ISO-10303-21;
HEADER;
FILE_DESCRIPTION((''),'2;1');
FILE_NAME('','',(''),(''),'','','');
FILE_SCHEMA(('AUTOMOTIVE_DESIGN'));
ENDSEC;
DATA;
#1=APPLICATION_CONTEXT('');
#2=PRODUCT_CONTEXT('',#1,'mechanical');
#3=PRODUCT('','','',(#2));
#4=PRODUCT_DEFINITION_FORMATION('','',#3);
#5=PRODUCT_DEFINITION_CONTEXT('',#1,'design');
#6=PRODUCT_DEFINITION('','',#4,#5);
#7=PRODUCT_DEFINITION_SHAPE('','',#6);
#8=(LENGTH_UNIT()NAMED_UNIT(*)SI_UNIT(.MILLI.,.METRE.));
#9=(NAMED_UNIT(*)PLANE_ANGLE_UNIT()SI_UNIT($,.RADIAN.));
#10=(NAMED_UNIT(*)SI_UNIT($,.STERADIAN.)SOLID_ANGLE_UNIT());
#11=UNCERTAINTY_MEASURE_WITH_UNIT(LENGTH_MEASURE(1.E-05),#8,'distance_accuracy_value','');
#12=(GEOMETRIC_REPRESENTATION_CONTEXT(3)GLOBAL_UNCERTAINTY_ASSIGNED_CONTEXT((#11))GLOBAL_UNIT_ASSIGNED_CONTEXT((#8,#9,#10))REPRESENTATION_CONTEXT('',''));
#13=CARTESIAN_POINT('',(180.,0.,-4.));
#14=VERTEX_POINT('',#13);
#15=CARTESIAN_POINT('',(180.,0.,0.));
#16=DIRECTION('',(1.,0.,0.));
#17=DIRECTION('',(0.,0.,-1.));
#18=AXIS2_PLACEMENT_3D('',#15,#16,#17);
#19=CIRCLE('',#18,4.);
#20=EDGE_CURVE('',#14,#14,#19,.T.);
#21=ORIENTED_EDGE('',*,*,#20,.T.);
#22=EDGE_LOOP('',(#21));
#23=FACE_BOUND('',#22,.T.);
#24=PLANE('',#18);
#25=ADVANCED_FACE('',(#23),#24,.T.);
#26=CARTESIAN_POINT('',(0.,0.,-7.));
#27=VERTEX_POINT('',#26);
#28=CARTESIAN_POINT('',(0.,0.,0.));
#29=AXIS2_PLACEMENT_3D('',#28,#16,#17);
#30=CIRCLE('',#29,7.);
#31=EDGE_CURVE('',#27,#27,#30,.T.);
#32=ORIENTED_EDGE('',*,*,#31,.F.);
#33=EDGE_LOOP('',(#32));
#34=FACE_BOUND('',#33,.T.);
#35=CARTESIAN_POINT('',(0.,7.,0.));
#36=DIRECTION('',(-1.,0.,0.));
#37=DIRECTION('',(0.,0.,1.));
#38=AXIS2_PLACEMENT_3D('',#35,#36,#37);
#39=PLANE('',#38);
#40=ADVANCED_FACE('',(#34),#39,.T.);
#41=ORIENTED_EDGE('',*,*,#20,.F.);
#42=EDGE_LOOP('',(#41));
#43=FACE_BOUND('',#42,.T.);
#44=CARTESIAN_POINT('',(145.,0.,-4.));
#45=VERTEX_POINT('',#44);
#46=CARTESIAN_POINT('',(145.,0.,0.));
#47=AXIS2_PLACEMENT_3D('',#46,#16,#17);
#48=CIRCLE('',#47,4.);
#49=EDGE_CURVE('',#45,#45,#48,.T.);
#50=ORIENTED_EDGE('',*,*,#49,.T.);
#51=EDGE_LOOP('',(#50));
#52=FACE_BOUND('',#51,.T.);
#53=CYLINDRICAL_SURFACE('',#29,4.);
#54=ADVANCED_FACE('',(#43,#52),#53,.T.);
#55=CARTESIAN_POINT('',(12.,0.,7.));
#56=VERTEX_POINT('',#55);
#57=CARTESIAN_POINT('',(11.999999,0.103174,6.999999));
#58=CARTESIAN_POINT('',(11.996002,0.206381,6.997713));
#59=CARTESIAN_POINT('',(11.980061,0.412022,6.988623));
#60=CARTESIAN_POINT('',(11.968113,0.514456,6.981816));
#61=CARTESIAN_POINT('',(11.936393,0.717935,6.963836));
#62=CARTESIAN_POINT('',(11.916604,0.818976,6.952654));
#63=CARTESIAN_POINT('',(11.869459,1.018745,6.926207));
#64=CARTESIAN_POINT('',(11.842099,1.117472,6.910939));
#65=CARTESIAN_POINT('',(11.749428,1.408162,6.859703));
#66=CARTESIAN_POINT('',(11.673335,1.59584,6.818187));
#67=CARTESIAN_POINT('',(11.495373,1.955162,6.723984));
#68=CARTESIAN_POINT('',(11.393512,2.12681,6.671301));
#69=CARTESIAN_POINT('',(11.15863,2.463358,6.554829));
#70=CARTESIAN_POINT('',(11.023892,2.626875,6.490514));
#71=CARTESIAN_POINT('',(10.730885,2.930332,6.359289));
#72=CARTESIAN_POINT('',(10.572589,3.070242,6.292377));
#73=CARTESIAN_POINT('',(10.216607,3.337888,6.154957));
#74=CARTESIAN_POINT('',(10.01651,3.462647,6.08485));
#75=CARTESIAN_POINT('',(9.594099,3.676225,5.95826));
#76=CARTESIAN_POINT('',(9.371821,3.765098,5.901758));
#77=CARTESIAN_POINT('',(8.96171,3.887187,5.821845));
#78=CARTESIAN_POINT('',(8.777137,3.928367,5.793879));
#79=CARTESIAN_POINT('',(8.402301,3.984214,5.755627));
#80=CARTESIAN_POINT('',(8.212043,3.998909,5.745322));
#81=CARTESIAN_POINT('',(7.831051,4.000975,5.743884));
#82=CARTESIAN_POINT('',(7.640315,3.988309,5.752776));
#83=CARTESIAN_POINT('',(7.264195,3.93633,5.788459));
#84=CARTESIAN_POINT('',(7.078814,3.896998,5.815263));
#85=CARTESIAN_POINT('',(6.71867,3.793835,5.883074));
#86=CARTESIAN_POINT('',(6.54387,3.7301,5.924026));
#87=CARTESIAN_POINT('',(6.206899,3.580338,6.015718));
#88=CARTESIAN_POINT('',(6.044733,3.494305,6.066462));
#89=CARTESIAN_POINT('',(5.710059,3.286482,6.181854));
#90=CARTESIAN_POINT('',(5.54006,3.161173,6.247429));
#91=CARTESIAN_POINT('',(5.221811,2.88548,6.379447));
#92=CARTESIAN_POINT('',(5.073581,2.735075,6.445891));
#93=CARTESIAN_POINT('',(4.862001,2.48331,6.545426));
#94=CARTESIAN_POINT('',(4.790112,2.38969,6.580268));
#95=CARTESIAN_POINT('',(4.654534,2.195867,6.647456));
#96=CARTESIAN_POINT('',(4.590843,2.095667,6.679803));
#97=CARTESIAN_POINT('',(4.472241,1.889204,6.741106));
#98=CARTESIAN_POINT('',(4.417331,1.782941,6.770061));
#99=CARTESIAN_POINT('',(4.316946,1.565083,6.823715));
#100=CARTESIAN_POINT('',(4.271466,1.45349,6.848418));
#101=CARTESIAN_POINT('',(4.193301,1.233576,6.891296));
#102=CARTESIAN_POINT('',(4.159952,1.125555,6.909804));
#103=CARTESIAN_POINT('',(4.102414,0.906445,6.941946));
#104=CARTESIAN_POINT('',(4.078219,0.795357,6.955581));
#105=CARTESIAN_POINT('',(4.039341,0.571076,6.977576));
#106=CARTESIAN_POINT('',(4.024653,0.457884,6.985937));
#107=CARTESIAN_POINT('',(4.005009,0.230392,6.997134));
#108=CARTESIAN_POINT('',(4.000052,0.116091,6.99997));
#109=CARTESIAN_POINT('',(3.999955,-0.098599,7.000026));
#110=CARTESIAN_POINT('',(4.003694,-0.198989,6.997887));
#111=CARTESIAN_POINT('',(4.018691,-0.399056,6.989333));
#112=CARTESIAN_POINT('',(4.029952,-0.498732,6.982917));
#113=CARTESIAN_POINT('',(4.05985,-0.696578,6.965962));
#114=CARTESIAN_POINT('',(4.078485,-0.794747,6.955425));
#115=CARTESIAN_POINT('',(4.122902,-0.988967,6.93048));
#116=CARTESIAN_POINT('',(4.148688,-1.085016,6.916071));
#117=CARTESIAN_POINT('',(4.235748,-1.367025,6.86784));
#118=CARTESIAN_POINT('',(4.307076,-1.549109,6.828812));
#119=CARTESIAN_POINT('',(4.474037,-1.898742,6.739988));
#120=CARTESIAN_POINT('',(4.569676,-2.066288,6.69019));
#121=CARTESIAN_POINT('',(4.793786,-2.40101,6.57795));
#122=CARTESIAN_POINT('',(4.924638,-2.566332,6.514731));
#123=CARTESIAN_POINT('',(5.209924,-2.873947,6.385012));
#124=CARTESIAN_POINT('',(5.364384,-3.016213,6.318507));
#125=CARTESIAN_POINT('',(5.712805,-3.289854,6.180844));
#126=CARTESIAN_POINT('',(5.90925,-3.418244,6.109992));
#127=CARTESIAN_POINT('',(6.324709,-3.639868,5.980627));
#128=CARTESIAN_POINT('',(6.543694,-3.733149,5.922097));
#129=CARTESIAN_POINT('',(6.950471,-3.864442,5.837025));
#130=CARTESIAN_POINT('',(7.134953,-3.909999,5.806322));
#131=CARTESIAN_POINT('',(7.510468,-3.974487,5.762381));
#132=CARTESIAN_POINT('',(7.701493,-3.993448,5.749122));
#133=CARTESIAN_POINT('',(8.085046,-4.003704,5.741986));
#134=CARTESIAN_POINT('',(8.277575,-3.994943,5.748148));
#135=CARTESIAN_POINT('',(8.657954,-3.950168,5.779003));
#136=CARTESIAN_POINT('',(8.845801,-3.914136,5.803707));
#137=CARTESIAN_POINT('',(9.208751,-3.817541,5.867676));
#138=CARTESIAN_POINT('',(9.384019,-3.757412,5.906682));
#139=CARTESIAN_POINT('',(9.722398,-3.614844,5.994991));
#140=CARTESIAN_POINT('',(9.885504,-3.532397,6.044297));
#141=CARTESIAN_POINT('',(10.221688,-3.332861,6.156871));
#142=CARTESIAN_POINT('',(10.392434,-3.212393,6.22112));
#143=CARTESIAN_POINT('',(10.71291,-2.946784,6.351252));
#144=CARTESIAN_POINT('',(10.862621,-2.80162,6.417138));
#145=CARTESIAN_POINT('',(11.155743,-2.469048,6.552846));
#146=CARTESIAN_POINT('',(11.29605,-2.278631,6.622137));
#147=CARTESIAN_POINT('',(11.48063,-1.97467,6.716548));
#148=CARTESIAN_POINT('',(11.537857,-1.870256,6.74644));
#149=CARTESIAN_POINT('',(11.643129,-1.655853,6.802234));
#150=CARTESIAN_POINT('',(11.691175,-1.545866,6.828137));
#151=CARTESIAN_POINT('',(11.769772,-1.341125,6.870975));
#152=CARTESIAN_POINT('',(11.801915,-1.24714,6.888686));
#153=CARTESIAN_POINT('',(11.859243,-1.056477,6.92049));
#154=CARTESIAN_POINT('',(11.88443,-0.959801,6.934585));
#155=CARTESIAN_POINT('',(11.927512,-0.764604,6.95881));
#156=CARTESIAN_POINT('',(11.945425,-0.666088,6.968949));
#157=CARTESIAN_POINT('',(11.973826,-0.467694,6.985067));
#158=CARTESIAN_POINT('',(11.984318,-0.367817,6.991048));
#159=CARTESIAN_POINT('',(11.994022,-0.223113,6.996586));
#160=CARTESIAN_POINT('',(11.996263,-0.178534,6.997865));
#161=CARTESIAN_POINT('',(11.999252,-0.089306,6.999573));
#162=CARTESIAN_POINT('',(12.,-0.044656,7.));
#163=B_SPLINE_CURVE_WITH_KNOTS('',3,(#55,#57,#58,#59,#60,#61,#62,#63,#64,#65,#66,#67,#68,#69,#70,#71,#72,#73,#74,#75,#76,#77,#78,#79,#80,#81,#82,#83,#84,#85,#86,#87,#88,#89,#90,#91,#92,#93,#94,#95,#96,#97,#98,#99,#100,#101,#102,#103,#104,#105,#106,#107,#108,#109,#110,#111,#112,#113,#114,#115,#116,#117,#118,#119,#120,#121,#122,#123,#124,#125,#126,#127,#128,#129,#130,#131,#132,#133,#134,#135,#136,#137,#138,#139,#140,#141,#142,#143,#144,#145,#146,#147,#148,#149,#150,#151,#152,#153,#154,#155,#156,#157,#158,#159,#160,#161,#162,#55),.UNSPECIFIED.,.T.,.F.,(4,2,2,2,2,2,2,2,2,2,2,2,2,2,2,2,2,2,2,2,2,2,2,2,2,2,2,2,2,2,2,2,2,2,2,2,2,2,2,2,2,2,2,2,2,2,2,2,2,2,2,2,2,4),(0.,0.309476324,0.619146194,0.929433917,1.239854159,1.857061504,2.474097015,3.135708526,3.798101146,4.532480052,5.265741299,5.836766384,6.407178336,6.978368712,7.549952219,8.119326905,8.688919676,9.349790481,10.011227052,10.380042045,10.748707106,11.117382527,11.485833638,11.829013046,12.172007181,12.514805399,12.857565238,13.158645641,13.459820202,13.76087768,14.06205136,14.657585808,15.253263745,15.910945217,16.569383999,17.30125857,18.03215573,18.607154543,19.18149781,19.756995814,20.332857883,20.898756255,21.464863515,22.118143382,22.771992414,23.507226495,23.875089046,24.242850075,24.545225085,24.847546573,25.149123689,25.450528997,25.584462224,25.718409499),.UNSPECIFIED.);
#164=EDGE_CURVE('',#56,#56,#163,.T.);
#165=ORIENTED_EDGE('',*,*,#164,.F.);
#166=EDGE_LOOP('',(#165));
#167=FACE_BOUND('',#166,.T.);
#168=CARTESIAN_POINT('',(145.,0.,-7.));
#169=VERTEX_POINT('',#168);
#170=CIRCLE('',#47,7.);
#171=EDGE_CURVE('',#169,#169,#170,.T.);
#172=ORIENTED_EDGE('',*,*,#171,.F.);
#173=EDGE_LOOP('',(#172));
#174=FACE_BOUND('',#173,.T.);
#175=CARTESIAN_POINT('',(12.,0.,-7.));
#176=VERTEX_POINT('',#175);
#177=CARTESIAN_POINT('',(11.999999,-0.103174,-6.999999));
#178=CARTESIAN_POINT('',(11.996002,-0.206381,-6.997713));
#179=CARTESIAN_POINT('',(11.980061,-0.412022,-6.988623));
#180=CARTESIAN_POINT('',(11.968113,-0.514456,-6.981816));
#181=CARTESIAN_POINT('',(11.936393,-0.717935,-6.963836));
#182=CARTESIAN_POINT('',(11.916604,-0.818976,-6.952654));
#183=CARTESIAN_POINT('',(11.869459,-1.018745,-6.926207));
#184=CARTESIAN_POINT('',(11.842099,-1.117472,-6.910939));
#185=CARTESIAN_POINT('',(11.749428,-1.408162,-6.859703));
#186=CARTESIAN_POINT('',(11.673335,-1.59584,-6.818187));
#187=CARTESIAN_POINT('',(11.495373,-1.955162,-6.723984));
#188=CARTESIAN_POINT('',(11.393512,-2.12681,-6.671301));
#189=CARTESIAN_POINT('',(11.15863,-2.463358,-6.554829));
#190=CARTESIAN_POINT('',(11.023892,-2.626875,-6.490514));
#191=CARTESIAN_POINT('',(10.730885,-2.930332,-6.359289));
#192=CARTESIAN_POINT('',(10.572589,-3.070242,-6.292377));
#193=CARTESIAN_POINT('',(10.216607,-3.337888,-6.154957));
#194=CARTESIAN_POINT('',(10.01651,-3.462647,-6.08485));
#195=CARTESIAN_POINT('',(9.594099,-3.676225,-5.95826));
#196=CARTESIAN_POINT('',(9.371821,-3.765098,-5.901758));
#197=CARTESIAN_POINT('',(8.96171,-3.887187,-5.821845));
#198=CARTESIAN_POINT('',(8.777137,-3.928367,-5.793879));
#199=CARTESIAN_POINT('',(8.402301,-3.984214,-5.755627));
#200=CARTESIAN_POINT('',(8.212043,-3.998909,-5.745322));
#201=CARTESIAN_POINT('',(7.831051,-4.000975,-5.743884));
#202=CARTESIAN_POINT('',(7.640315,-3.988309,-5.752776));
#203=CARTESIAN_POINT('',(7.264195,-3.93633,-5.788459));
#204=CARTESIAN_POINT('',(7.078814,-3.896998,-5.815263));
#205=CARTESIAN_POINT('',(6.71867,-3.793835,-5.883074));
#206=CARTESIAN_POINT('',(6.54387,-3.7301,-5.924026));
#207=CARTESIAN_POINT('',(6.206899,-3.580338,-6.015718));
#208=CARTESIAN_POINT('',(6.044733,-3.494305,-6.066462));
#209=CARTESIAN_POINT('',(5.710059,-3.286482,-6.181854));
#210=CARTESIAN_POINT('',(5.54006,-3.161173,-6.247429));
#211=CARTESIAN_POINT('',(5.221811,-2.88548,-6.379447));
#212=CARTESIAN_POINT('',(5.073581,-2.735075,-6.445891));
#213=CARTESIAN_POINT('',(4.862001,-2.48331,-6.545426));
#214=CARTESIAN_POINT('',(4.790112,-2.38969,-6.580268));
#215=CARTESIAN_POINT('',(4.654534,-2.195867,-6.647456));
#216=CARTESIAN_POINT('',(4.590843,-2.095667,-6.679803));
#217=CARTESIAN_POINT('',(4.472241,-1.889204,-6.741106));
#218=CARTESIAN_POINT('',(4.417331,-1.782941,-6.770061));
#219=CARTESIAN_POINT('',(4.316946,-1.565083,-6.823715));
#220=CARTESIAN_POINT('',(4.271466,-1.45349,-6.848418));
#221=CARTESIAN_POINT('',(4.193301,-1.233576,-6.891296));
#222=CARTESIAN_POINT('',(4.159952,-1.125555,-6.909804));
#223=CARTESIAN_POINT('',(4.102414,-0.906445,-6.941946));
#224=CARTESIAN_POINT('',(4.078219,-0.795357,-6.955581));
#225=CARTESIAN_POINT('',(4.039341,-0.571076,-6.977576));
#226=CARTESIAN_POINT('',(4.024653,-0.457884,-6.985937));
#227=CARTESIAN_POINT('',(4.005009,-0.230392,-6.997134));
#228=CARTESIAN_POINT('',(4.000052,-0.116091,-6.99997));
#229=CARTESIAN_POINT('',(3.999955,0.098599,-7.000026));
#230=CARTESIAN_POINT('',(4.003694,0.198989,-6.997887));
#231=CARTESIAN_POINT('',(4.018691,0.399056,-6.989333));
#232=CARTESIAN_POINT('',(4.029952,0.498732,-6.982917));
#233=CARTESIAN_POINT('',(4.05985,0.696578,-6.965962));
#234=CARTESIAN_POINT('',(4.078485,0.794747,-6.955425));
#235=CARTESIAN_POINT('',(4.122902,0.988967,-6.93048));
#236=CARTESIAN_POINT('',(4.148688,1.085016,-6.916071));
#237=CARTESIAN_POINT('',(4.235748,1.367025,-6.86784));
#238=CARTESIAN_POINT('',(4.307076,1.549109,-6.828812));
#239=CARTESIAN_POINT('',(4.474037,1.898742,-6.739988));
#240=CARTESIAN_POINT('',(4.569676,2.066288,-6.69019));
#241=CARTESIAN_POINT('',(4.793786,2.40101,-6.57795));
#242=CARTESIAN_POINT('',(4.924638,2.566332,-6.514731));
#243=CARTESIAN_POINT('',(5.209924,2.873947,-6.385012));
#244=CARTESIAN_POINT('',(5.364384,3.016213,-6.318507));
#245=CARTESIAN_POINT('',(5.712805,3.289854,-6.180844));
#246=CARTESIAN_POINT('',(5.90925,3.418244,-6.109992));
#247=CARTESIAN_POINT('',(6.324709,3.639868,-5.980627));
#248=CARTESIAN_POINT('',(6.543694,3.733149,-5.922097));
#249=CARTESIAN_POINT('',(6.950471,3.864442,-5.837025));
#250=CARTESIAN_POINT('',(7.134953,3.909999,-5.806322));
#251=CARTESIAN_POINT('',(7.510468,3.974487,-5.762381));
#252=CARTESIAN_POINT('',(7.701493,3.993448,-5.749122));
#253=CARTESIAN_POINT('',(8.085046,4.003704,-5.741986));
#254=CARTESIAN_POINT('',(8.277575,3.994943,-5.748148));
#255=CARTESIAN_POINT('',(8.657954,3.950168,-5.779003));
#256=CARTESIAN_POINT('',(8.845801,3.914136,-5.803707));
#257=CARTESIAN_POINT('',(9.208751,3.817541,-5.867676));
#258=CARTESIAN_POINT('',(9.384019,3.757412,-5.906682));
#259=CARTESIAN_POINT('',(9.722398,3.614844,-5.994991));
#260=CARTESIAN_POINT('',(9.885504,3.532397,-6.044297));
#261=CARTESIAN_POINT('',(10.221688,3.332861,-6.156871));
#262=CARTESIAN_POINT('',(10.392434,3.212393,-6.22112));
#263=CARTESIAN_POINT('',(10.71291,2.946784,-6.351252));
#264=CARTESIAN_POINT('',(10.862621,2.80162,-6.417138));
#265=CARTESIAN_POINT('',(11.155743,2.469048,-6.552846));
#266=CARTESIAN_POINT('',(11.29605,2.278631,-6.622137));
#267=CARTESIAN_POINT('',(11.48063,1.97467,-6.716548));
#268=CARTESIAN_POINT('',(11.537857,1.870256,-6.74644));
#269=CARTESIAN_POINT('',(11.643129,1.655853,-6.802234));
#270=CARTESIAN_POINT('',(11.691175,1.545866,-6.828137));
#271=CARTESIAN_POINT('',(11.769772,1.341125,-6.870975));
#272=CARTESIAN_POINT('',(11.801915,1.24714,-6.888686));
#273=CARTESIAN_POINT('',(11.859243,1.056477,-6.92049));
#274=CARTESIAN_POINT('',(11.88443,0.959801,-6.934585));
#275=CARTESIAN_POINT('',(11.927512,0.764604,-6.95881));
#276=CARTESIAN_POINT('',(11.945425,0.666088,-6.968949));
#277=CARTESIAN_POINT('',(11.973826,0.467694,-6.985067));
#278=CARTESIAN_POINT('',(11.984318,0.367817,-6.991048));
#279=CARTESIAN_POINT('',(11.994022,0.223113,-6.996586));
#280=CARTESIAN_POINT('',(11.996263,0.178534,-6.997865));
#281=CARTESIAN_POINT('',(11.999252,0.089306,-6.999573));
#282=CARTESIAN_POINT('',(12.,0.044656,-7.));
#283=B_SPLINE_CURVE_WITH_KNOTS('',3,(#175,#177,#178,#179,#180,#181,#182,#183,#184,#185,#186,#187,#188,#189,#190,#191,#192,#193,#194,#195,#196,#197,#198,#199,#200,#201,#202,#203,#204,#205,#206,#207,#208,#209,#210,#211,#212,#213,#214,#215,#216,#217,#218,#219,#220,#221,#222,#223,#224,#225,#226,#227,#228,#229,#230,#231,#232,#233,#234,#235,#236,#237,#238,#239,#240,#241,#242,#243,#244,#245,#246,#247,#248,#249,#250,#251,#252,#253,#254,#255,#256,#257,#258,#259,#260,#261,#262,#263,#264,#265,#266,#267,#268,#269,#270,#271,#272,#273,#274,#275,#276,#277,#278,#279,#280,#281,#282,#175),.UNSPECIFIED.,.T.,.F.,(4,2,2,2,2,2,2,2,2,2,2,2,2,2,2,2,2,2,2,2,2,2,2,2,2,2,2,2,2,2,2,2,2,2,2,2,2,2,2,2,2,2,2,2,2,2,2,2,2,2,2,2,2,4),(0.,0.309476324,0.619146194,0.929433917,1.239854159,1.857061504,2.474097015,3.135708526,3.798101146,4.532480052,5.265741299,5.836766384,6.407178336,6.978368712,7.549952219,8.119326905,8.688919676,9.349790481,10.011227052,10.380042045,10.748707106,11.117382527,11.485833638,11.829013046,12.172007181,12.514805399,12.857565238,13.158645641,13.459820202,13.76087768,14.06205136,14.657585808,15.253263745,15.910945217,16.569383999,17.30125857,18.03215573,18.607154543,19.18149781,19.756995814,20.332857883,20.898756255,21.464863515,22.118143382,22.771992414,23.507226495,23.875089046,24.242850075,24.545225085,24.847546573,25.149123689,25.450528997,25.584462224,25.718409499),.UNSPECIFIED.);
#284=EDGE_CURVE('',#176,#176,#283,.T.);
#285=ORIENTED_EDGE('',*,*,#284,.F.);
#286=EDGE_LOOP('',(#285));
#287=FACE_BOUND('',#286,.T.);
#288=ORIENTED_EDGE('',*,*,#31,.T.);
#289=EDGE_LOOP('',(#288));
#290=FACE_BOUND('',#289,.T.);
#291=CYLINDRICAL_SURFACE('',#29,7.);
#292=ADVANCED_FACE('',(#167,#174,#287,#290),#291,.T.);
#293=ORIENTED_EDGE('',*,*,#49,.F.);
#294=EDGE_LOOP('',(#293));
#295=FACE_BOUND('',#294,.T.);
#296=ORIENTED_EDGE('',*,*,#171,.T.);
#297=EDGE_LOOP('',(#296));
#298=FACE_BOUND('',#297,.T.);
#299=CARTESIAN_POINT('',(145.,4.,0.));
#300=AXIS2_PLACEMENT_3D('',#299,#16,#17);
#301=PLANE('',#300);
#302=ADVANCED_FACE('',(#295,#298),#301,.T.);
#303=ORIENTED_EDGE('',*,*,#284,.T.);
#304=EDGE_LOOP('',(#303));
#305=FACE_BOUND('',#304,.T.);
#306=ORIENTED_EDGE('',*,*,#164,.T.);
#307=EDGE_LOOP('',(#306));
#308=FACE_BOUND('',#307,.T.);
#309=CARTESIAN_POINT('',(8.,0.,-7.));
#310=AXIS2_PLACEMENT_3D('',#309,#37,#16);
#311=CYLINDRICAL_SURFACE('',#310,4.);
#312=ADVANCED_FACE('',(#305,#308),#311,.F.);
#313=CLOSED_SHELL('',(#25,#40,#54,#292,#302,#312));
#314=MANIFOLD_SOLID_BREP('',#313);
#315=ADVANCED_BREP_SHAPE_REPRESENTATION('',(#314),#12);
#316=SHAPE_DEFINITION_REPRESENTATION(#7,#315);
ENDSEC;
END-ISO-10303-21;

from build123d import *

# Parameters (mm, degrees)
CUT_EXTRUDE_1_DEPTH      = 181.272016686
CUT_EXTRUDE_1_DEPTH_BACK = 181.272016686
SKETCH_3_R               = 4


with BuildPart() as part:
    # 草图1 → 旋转1 (revolve)
    with BuildSketch(Plane.XY, mode=Mode.PRIVATE) as revolve_1_sk:
        Polygon((0, 7), (0, 0), (180, 0), (180, 4), (145, 4), (145, 7), align=None)
    revolve(revolve_1_sk.sketch.rotate(Axis((0, 0, 0), (1, 0, 0)), 270), axis=Axis((0, 0, 0), (1, 0, 0)))

    # 草图3 → 切除-拉伸1 (cut, two sides: drawn at the far end of the back side and taken through both)
    with BuildSketch(Plane.XY.offset(-CUT_EXTRUDE_1_DEPTH_BACK)):
        with Locations((8, 0)):
            Circle(SKETCH_3_R)
    extrude(amount=CUT_EXTRUDE_1_DEPTH + CUT_EXTRUDE_1_DEPTH_BACK, mode=Mode.SUBTRACT)


solid = part.part
